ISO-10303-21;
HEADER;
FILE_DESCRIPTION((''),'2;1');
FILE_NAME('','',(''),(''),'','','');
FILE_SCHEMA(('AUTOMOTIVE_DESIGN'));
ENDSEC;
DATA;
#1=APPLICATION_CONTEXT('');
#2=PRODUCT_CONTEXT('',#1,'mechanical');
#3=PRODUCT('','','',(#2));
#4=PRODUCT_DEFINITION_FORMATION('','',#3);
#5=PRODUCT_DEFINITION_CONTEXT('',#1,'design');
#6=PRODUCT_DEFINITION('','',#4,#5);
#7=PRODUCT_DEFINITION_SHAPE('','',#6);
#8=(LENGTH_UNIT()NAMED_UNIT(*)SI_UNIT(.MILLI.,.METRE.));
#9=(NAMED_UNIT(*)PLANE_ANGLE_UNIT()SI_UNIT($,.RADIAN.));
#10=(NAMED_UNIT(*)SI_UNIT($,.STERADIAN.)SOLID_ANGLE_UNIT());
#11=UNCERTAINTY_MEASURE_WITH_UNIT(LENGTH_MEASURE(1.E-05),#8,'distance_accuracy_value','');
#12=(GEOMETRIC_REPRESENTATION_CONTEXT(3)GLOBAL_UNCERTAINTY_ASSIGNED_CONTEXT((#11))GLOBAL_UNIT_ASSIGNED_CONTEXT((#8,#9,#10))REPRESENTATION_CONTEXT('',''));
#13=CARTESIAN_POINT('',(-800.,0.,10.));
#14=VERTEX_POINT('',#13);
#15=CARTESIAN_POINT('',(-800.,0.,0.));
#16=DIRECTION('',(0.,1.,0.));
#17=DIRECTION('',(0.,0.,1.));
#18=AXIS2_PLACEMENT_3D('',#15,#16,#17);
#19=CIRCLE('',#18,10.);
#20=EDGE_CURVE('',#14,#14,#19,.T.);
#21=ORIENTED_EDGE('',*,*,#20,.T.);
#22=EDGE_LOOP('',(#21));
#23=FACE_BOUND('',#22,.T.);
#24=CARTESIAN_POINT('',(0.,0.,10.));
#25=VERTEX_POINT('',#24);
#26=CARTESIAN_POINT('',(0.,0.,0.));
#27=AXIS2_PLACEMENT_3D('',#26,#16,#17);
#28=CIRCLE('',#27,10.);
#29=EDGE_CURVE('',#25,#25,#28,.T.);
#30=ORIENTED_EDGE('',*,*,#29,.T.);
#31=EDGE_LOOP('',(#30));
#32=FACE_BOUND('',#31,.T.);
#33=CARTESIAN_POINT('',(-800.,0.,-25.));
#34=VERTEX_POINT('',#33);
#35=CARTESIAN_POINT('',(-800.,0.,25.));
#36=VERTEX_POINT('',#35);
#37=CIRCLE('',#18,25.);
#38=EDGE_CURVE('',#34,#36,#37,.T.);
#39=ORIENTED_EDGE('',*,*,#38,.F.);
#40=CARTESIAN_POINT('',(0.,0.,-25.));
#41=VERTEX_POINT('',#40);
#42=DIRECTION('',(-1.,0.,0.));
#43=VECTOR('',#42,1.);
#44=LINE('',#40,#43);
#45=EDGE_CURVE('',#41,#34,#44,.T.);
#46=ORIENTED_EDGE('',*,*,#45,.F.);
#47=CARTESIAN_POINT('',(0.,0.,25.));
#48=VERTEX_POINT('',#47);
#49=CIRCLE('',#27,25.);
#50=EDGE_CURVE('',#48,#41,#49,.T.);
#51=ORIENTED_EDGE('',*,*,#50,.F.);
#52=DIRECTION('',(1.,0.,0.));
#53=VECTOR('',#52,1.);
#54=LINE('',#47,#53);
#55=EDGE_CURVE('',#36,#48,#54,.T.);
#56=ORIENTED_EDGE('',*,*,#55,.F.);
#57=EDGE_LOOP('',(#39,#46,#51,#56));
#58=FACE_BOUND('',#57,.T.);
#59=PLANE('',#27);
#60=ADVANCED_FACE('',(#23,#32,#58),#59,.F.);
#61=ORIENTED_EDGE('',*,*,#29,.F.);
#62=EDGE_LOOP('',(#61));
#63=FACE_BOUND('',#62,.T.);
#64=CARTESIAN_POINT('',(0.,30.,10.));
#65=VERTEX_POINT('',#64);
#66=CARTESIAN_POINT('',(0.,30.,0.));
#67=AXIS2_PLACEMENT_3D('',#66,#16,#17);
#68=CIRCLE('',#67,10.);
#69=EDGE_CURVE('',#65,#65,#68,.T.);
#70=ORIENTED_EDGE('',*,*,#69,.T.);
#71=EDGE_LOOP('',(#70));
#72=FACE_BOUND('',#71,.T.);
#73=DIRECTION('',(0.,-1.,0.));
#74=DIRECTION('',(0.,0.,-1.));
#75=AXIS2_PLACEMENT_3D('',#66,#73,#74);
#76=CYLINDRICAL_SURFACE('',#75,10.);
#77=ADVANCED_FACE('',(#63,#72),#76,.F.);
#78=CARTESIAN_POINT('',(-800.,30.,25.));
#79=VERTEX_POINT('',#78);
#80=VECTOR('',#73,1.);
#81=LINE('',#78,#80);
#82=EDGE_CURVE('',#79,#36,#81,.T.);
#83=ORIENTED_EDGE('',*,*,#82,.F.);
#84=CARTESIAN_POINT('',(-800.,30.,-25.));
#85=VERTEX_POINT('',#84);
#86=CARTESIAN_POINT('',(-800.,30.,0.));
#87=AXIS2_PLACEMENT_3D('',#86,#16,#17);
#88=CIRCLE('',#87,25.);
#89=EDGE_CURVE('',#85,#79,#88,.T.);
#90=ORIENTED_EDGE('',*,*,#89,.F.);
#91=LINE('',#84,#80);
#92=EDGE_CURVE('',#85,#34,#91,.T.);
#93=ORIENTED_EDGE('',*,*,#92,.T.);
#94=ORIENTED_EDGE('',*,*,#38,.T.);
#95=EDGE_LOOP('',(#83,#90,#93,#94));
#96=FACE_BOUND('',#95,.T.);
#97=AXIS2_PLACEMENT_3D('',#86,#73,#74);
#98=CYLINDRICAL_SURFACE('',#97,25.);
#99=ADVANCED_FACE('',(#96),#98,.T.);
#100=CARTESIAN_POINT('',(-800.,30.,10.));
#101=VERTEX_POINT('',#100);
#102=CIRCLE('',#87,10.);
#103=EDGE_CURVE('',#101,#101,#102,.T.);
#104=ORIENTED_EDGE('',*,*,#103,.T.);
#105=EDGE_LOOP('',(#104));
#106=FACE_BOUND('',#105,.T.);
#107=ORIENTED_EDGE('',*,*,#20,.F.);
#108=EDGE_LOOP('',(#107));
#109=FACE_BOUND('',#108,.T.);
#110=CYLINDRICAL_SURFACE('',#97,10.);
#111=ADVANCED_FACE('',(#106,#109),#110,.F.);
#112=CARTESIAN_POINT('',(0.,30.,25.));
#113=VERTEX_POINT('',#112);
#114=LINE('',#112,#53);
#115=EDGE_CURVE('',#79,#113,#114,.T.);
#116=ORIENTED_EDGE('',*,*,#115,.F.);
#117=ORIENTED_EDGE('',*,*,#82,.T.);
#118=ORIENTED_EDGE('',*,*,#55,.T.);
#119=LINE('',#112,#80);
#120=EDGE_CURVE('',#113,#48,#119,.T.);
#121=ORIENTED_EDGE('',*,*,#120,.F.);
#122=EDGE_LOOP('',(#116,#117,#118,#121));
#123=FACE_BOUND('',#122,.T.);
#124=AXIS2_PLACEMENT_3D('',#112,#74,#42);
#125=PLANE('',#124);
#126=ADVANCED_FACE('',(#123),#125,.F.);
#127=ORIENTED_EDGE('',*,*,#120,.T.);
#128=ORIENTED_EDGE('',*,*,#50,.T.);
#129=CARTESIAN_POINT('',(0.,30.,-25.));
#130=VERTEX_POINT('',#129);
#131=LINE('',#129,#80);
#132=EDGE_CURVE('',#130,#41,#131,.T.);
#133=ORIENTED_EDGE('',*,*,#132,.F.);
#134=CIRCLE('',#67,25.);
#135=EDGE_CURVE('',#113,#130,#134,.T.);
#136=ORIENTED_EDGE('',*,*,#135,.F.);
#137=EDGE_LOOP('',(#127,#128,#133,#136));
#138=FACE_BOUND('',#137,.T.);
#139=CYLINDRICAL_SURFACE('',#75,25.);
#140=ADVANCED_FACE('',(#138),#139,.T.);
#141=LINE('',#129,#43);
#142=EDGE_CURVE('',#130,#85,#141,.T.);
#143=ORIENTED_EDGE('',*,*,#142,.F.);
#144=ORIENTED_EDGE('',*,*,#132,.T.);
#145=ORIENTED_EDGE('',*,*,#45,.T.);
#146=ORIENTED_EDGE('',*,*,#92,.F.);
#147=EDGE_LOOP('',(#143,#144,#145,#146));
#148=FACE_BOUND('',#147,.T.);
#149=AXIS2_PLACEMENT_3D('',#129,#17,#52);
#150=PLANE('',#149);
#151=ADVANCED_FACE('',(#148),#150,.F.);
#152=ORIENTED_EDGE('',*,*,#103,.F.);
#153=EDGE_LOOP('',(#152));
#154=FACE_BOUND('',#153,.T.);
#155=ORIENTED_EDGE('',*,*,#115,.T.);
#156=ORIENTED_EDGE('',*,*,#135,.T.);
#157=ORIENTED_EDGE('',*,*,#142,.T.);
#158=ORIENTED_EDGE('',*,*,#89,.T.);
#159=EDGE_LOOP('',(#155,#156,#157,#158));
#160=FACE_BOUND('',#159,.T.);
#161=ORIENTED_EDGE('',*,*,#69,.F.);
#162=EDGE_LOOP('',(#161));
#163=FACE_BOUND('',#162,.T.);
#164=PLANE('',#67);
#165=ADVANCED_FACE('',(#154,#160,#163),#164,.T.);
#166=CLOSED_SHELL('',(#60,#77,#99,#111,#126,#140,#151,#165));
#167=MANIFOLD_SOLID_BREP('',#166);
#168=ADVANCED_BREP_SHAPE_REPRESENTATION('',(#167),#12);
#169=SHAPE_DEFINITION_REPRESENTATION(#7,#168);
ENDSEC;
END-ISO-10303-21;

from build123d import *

# Parameters (mm, degrees)
SKETCH1_R           = 10
BOSS_EXTRUDE1_DEPTH = 30


with BuildPart() as part:
    # Sketch1 → Boss-Extrude1 (new body)
    with BuildSketch(Plane(origin=(0, 0, 0), x_dir=(1, 0, 0), z_dir=(0, 1, 0))):
        with BuildLine():
            Line((0, -25), (-800, -25))
            ThreePointArc((-800, -25), (-825, 0), (-800, 25))
            Line((-800, 25), (0, 25))
            ThreePointArc((0, 25), (25, 0), (0, -25))
        make_face()
        with Locations(Location((-800, 0, 0), (0, 0, 270))):
            Circle(SKETCH1_R, mode=Mode.SUBTRACT)
        with Locations(Location((0, 0, 0), (0, 0, 270))):
            Circle(SKETCH1_R, mode=Mode.SUBTRACT)
    extrude(amount=BOSS_EXTRUDE1_DEPTH)


solid = part.part
